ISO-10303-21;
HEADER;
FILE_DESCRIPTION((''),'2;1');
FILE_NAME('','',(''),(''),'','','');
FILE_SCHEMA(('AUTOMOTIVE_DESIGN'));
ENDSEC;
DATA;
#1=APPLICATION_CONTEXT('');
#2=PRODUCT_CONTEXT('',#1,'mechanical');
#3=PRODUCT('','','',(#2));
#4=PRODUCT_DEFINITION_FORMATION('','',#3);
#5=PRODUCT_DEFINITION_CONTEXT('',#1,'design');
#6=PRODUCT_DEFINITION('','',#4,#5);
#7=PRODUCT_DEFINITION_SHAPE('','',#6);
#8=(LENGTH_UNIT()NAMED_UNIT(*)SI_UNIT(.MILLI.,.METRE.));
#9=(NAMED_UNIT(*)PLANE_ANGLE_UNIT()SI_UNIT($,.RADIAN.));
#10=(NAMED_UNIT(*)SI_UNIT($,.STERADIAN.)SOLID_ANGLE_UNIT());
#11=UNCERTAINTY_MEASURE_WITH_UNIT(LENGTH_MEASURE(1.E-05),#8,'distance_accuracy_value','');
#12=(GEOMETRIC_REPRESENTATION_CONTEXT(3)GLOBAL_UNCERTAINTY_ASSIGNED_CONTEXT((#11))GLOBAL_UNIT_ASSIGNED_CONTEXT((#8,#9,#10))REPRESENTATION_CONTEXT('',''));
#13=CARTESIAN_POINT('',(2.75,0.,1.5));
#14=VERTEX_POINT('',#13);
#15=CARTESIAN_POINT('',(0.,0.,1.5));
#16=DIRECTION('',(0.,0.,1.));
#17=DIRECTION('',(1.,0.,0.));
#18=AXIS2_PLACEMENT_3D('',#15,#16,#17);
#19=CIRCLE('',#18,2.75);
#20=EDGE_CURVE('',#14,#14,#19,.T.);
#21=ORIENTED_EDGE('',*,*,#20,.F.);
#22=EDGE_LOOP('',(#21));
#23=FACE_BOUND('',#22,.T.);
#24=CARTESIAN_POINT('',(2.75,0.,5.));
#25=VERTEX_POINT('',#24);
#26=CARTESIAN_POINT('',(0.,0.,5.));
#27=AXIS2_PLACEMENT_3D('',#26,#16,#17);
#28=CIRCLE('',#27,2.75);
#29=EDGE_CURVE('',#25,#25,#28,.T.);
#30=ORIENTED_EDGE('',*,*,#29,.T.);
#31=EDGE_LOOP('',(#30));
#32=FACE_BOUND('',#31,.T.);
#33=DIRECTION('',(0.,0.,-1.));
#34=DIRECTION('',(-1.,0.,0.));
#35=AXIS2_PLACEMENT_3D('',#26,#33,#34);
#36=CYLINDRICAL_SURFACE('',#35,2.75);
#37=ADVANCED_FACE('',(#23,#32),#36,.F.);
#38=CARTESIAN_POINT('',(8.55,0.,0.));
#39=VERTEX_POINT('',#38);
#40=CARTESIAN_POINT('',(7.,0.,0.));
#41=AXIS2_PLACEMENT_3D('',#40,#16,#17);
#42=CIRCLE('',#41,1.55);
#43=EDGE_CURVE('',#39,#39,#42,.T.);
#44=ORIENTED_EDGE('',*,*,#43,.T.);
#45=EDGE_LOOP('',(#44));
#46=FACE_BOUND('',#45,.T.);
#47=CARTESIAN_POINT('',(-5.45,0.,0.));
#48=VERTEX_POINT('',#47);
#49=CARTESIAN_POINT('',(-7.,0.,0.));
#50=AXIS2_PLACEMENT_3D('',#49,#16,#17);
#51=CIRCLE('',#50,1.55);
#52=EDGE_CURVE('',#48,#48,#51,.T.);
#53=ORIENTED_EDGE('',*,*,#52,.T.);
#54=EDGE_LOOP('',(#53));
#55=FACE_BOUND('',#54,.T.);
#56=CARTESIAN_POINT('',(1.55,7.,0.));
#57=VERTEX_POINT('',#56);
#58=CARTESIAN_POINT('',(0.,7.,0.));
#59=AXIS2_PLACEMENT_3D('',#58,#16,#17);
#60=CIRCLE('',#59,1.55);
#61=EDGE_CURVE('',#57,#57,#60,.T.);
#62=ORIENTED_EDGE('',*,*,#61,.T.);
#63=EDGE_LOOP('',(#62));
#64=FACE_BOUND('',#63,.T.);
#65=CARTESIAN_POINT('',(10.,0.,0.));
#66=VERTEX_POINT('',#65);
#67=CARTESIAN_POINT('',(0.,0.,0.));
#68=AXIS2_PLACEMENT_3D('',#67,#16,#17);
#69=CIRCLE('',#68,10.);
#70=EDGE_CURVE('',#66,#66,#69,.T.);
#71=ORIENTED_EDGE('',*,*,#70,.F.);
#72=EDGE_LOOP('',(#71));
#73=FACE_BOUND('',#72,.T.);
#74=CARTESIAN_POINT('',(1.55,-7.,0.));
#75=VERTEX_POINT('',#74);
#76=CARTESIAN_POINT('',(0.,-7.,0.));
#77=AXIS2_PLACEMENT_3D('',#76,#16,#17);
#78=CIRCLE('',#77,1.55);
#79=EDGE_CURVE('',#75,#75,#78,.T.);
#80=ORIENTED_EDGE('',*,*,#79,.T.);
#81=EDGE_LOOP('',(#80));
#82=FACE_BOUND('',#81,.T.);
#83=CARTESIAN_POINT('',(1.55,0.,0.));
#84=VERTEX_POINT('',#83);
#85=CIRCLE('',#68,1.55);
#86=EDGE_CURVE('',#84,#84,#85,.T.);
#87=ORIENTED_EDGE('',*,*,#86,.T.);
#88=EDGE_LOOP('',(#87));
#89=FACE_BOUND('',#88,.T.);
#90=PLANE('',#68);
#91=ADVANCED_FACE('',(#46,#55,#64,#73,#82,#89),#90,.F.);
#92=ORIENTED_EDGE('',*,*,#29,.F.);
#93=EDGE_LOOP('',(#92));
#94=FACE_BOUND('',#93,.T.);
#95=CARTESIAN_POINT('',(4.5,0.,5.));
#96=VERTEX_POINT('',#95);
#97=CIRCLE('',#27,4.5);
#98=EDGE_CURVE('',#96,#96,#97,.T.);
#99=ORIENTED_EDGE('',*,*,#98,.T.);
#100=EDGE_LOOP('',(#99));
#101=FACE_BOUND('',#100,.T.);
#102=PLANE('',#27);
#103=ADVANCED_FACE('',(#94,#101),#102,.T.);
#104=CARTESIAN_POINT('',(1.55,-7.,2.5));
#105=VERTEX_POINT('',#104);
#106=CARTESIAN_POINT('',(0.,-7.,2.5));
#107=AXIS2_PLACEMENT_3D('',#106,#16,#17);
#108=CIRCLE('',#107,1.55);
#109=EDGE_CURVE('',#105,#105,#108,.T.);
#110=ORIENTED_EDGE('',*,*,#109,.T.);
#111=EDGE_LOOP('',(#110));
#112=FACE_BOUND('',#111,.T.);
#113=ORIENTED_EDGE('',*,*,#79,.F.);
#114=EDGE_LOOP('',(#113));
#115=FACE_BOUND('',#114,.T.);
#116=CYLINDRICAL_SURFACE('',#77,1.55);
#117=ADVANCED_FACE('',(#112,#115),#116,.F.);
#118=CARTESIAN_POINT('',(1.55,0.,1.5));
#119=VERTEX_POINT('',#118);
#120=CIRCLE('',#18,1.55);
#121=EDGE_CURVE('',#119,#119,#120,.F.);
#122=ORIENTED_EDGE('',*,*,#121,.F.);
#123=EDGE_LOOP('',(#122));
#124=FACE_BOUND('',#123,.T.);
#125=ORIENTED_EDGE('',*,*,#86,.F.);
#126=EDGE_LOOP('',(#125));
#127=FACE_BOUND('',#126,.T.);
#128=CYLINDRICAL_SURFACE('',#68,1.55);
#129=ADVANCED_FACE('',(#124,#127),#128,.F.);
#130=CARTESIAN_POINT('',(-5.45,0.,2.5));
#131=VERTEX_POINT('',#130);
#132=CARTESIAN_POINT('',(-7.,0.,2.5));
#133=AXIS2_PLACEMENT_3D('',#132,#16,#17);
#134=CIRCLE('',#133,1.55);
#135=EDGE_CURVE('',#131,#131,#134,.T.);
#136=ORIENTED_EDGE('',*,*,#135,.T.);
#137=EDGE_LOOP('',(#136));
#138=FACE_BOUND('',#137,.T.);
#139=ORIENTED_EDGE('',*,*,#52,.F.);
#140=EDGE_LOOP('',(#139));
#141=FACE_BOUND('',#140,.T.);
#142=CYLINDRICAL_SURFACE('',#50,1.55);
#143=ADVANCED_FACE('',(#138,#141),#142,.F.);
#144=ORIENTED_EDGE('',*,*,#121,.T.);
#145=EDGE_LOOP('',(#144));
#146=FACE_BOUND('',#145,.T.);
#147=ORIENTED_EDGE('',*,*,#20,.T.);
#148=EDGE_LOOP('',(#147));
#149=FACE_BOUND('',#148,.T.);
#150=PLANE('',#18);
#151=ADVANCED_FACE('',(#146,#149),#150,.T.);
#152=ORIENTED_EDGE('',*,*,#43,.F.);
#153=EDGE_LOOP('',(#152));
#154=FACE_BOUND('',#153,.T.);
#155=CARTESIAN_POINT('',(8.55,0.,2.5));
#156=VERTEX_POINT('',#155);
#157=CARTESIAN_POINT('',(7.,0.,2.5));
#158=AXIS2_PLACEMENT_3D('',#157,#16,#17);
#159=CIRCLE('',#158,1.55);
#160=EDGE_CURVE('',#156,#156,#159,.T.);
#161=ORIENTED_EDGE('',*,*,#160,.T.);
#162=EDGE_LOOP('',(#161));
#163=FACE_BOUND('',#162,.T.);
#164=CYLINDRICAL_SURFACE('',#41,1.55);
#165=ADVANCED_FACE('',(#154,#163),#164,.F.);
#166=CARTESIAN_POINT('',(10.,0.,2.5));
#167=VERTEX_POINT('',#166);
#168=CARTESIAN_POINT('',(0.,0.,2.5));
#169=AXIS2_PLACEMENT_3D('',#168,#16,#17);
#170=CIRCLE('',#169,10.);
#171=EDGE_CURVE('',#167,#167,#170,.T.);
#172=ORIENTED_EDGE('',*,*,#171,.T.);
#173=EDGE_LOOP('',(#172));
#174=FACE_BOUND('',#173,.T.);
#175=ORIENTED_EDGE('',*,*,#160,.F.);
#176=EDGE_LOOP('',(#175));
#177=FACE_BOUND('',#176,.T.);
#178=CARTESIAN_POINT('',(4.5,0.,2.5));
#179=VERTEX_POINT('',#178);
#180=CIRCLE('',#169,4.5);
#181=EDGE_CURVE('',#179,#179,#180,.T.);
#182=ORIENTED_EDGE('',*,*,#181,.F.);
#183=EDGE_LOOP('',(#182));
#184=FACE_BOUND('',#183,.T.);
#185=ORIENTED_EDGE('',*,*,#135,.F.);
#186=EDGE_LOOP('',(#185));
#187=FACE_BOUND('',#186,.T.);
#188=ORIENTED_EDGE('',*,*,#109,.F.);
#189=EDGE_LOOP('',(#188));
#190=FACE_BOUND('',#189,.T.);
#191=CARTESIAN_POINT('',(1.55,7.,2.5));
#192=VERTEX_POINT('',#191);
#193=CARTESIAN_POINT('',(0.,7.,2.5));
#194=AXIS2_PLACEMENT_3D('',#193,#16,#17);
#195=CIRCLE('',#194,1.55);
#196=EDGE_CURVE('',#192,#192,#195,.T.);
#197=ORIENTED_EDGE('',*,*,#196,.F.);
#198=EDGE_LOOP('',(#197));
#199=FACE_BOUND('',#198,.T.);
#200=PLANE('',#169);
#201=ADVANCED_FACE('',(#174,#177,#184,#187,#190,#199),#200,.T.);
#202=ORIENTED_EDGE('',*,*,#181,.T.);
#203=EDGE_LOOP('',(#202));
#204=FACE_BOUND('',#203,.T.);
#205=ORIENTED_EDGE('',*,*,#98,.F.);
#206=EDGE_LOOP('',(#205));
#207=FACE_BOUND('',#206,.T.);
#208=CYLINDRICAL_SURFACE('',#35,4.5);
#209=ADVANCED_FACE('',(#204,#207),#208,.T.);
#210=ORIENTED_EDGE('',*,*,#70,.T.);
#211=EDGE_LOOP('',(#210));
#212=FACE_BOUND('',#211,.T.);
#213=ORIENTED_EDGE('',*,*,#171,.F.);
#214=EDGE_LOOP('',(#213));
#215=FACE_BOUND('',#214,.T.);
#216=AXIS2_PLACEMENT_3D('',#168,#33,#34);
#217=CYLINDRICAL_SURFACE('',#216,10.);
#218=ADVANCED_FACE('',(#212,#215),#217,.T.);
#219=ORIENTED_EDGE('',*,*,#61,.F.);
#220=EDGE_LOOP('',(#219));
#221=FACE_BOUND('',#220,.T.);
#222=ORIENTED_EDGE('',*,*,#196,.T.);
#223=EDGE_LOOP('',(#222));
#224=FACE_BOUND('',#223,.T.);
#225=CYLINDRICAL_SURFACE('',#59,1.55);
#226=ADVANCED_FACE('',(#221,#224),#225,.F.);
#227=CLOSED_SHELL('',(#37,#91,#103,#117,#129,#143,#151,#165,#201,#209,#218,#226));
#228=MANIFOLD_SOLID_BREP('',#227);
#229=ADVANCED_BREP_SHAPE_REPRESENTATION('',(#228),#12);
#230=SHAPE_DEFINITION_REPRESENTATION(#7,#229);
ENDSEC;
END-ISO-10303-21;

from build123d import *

# Parameters (mm, degrees)
SKETCH1_R               = 10
BOSS_EXTRUDE1_DEPTH     = 2.5
SKETCH2_R               = 4.5
SKETCH2_R_2             = 2.75
EXTRUDE_THIN1_DEPTH     = 2.5
CUT_EXTRUDE1_DEPTH      = 15.361406616
CUT_EXTRUDE1_DEPTH_BACK = 15.361406616
SKETCH3_R               = 1.55
CUT_EXTRUDE2_START      = -1
SKETCH4_R               = 2.75
CUT_EXTRUDE2_DEPTH      = 1


with BuildPart() as part:
    # Sketch1 → Boss-Extrude1 (new body)
    with BuildSketch(Plane(origin=(0, 0, 0), x_dir=(0, 1, 0), z_dir=(0, 0, 1))):
        with Locations(Location((0, 0, 0), (0, 0, 270))):
            Circle(SKETCH1_R)
    extrude(amount=BOSS_EXTRUDE1_DEPTH)

    # Sketch2 → Extrude-Thin1 (add)
    with BuildSketch(Plane.XY.offset(2.5)):
        Circle(SKETCH2_R)
        Circle(SKETCH2_R_2, mode=Mode.SUBTRACT)
    extrude(amount=EXTRUDE_THIN1_DEPTH)

    # Sketch3 → Cut-Extrude1 (cut, two sides: drawn at the far end of the back side and taken through both)
    with BuildSketch(Plane.XY.offset(2.5).offset(-CUT_EXTRUDE1_DEPTH_BACK)):
        Circle(SKETCH3_R)
        with Locations((7, 0)):
            Circle(SKETCH3_R)
        with Locations((0, 7)):
            Circle(SKETCH3_R)
        with Locations((-7, 0)):
            Circle(SKETCH3_R)
        with Locations((0, -7)):
            Circle(SKETCH3_R)
    extrude(amount=CUT_EXTRUDE1_DEPTH + CUT_EXTRUDE1_DEPTH_BACK, mode=Mode.SUBTRACT)

    # Sketch4 → Cut-Extrude2 (cut)
    with BuildSketch(Plane.XY.offset(2.5).offset(CUT_EXTRUDE2_START)):
        Circle(SKETCH4_R)
    extrude(amount=CUT_EXTRUDE2_DEPTH, mode=Mode.SUBTRACT)


solid = part.part
